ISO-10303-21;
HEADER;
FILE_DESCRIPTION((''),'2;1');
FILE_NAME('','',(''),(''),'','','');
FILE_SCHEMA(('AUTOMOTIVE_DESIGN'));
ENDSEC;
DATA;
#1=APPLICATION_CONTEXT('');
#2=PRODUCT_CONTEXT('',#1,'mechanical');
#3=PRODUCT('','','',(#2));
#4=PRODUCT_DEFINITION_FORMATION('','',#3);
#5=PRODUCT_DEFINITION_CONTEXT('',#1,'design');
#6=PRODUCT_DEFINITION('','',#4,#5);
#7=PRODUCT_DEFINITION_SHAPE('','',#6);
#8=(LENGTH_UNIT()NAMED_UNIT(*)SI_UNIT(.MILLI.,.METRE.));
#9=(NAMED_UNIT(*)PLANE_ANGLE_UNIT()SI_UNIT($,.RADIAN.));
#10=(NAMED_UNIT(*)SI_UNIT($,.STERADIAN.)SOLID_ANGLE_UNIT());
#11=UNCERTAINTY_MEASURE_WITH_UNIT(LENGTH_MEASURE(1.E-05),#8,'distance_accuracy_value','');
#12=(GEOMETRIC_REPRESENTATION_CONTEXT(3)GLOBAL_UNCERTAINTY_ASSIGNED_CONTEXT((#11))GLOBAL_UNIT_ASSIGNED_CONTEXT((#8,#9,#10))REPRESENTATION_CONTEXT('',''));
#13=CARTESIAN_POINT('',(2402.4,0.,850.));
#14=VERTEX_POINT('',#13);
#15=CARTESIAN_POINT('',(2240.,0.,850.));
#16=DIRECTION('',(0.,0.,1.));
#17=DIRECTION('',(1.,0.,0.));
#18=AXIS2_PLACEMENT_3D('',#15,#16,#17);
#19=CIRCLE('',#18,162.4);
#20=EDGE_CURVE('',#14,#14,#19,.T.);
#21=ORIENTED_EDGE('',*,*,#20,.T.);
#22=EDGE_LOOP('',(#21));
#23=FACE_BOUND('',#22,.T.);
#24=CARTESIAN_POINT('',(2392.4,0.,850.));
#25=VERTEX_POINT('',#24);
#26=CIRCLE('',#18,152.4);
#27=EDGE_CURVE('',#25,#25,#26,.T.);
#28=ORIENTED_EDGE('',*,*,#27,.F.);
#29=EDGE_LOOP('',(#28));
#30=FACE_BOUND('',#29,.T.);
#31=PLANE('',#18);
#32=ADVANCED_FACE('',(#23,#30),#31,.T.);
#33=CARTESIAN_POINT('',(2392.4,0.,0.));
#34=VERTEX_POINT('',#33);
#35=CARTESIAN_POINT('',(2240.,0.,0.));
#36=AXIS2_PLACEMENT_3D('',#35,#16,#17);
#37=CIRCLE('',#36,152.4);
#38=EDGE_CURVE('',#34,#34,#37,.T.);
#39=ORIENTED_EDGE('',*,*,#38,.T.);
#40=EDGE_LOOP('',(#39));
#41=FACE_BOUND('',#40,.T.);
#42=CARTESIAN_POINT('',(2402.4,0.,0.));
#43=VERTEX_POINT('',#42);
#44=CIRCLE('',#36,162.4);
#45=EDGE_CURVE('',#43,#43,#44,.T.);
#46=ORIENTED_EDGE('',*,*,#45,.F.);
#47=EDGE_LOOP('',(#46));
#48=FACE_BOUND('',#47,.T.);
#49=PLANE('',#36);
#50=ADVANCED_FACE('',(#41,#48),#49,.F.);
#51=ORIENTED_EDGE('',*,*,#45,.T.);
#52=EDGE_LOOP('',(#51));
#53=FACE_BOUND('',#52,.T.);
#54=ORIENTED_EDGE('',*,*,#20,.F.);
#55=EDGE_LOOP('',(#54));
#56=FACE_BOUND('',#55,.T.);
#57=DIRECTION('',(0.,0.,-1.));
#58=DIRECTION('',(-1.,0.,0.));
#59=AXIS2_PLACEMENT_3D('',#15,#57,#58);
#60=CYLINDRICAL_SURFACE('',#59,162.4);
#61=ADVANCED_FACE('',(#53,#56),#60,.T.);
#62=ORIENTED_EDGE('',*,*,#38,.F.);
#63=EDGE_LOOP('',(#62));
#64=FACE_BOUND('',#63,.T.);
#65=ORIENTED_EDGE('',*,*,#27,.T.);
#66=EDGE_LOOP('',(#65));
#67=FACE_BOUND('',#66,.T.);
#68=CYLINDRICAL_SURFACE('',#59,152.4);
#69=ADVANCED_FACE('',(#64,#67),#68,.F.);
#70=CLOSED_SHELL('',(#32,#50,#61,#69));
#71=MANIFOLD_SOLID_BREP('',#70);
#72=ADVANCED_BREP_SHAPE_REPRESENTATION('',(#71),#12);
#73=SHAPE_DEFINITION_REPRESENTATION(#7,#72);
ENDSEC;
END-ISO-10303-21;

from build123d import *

# Parameters (mm, degrees)
SKETCH1_R           = 162.4
SKETCH1_R_2         = 152.4
EXTRUDE_THIN1_DEPTH = 850


with BuildPart() as part:
    # Sketch1 → Extrude-Thin1 (new body)
    with BuildSketch(Plane.XY):
        with Locations((2240, 0)):
            Circle(SKETCH1_R)
        with Locations((2240, 0)):
            Circle(SKETCH1_R_2, mode=Mode.SUBTRACT)
    extrude(amount=EXTRUDE_THIN1_DEPTH)


solid = part.part
